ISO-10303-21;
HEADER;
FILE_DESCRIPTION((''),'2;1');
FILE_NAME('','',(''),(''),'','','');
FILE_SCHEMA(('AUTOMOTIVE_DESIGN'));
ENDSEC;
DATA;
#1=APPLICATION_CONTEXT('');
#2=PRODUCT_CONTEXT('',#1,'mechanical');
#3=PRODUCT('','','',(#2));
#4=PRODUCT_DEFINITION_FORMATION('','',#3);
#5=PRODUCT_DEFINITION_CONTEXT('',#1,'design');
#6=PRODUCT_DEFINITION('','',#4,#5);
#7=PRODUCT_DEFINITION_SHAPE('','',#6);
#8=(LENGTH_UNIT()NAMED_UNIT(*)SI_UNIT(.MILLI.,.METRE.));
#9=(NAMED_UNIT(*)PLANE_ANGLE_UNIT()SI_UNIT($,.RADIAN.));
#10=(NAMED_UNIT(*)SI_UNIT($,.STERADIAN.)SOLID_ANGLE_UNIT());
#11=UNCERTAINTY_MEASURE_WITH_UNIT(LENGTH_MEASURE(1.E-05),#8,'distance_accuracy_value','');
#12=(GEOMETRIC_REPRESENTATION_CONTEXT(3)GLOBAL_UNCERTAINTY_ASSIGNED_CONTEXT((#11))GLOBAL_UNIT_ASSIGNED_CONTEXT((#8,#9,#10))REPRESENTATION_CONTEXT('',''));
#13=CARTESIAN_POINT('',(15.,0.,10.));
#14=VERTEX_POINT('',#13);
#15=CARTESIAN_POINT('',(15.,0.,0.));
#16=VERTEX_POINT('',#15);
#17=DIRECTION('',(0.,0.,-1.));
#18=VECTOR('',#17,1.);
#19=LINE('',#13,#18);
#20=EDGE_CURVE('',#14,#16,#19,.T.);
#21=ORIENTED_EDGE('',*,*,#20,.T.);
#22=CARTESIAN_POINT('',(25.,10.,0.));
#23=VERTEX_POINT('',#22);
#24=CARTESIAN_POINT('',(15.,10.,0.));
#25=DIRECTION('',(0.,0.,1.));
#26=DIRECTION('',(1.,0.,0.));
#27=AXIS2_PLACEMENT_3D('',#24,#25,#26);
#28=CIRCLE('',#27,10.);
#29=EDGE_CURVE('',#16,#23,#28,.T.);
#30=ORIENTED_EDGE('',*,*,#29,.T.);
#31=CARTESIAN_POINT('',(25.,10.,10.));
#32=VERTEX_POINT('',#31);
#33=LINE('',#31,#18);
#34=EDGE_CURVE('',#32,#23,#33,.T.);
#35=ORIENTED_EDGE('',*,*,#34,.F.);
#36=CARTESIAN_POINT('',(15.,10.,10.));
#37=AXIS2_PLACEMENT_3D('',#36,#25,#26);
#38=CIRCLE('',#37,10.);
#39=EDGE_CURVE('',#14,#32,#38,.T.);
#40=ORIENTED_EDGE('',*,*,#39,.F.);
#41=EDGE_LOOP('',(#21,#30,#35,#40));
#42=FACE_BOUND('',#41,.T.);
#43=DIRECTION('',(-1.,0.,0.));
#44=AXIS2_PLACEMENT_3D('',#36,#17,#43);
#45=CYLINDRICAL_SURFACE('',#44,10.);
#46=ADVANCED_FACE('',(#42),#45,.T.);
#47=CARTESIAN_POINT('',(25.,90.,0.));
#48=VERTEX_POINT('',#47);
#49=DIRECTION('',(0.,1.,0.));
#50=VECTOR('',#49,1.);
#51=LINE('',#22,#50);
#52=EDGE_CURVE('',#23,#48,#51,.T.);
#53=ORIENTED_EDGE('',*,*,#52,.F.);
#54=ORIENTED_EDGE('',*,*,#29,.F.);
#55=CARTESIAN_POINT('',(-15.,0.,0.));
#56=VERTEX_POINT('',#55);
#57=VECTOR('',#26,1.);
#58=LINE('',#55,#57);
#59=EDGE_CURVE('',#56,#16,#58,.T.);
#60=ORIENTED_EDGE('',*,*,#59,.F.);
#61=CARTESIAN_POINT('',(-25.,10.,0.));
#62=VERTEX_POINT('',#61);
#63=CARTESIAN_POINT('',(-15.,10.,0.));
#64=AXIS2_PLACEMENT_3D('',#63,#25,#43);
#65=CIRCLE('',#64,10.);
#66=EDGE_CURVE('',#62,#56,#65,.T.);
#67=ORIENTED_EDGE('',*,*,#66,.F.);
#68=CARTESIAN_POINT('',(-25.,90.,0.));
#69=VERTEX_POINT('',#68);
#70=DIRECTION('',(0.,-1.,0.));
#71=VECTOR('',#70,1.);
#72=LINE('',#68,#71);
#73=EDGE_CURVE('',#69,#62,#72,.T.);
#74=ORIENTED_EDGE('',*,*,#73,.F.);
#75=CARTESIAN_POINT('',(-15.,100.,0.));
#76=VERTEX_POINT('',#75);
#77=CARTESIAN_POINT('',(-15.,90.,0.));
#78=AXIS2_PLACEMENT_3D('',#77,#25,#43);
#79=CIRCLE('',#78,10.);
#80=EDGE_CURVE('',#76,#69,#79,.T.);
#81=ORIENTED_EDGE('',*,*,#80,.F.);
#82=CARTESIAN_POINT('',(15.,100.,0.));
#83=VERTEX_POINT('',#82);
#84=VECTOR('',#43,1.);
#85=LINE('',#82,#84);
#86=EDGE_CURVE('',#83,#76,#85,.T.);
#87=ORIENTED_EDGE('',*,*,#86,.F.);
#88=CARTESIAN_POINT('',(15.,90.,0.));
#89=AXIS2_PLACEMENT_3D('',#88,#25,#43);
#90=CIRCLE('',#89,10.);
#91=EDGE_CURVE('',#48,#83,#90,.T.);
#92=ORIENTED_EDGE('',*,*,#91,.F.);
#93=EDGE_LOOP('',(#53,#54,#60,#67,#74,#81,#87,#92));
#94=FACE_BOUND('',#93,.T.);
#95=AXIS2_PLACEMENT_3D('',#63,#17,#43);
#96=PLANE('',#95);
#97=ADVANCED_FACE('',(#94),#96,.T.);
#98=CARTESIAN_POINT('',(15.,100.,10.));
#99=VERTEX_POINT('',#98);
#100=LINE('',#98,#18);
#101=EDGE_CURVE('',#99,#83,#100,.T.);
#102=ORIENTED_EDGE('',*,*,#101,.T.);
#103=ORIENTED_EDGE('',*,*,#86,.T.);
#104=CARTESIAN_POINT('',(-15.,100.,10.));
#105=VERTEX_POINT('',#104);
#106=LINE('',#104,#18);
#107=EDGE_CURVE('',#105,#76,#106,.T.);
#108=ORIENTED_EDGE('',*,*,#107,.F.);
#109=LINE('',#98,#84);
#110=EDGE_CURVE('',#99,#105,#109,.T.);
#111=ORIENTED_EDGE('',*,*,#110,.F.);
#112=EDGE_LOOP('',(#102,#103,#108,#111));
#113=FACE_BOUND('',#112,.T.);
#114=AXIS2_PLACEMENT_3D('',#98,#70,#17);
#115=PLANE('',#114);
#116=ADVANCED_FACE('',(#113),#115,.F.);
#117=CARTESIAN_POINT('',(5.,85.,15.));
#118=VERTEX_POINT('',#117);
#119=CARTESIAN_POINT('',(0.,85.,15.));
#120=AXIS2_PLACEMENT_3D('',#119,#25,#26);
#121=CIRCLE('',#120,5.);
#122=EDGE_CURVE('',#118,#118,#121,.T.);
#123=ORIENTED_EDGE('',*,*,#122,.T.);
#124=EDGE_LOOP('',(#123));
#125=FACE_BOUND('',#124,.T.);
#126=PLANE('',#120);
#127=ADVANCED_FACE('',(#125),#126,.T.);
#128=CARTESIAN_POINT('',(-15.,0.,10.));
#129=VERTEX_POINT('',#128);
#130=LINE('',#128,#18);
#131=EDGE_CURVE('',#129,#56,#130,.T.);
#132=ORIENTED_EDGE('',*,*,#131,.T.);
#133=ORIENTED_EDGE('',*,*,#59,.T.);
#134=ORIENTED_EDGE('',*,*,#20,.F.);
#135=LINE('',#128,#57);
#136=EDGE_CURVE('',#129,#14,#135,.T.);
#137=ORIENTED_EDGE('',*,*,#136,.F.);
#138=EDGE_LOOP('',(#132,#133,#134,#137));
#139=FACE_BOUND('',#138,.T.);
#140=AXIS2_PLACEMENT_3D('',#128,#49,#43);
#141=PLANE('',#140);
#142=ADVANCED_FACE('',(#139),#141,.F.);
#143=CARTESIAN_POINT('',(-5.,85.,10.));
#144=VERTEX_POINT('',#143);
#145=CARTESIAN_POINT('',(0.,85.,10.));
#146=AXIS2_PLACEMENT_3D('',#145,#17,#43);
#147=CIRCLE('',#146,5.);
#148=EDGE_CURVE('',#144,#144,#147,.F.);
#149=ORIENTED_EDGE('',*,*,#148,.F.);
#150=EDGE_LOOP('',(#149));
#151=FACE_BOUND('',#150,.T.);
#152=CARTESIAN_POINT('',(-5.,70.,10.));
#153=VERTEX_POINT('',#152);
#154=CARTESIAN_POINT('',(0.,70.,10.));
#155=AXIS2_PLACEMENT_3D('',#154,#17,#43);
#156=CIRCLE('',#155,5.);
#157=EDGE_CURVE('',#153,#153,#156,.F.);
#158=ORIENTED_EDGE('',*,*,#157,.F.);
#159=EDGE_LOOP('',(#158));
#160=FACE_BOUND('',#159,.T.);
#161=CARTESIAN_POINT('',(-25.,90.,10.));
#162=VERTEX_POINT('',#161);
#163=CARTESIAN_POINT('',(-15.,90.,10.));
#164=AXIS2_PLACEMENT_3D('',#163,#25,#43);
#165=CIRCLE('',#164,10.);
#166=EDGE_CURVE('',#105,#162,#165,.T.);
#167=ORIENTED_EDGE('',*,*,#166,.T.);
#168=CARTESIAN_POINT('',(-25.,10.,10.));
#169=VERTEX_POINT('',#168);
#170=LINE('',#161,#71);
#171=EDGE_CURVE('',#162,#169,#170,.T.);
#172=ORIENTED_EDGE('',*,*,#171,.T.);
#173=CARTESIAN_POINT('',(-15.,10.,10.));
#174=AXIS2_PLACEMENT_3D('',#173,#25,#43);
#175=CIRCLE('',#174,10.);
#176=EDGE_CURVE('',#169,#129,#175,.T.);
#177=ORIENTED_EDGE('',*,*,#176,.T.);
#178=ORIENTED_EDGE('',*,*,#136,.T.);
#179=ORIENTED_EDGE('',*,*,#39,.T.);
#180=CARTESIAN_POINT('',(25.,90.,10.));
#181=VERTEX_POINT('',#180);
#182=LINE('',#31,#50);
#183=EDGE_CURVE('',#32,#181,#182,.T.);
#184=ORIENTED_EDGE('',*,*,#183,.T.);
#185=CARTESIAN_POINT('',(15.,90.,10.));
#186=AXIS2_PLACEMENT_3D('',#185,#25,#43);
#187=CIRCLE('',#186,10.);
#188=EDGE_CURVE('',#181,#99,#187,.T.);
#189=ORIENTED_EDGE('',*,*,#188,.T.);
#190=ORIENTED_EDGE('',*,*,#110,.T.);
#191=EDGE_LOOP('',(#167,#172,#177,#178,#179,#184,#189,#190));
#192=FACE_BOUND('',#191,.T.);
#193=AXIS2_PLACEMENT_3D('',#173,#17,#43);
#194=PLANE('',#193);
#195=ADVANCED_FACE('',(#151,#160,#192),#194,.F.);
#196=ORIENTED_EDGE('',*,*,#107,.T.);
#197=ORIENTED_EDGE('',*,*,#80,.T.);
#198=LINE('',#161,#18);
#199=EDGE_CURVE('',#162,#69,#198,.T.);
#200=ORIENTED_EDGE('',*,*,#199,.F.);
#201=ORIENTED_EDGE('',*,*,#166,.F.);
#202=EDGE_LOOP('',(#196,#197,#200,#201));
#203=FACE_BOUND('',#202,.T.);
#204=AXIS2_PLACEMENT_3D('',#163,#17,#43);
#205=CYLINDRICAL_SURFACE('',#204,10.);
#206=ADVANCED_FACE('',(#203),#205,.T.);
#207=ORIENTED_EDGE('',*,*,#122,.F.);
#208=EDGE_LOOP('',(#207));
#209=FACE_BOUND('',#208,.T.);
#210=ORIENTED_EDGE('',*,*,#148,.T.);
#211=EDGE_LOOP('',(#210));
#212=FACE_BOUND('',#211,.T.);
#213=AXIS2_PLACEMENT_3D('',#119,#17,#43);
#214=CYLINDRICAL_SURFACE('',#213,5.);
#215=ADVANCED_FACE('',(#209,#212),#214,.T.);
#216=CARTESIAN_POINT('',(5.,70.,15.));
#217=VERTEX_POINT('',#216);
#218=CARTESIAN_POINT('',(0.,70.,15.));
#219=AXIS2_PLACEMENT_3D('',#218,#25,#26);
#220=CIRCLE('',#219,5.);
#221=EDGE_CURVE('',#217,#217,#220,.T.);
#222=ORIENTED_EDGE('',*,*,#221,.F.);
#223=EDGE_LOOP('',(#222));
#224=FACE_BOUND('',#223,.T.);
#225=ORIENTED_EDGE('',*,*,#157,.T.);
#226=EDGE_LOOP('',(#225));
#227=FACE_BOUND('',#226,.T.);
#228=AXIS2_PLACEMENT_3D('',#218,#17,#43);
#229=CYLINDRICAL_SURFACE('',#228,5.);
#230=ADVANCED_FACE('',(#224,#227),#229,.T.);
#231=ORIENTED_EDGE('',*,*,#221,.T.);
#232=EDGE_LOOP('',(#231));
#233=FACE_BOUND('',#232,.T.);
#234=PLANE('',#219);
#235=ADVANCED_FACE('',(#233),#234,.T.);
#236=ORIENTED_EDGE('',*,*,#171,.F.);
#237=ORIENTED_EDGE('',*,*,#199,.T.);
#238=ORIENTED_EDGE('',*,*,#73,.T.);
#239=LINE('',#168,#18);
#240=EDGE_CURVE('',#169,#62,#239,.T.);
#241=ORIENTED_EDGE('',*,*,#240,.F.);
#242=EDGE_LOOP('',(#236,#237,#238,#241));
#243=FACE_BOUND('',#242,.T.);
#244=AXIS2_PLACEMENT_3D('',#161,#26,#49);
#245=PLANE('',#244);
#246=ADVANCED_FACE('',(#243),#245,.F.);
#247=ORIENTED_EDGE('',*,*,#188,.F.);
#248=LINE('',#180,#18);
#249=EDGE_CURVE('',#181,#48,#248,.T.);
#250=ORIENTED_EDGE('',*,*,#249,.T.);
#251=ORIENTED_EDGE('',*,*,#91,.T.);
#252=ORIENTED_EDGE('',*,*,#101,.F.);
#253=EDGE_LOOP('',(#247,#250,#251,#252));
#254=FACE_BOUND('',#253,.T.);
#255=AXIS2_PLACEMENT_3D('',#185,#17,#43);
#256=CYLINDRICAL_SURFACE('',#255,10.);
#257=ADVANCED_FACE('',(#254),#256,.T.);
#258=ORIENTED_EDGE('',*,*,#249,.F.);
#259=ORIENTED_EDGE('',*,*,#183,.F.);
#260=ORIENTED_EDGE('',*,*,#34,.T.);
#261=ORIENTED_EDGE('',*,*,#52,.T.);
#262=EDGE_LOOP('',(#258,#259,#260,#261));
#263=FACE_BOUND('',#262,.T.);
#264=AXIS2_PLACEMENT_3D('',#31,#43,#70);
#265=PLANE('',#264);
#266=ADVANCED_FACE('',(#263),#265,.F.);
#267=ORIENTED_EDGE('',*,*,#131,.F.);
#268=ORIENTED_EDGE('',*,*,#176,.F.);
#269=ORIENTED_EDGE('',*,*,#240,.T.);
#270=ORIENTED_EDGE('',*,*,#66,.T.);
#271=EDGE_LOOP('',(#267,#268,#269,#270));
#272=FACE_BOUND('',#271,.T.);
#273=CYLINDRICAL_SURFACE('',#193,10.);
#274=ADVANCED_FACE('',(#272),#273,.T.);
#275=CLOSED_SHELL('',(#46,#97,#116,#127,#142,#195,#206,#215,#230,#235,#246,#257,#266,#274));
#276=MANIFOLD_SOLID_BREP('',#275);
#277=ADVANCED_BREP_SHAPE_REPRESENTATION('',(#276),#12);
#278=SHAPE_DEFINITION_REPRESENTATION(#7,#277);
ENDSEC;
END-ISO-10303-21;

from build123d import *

# Parameters (mm, degrees)
BOSS_EXTRU_1_DEPTH = 10
ESQUISSE2_R        = 5
BOSS_EXTRU_2_DEPTH = 5


with BuildPart() as part:
    # Esquisse1 → Boss.-Extru.1 (new body)
    with BuildSketch(Plane.XY):
        with BuildLine():
            Line((-15, 0), (15, 0))
            ThreePointArc((15, 0), (22.071067812, 2.928932188), (25, 10))
            Line((25, 10), (25, 90))
            ThreePointArc((25, 90), (22.071067812, 97.071067812), (15, 100))
            Line((15, 100), (-15, 100))
            ThreePointArc((-15, 100), (-22.071067812, 97.071067812), (-25, 90))
            Line((-25, 90), (-25, 10))
            ThreePointArc((-25, 10), (-22.071067812, 2.928932188), (-15, 0))
        make_face()
    extrude(amount=BOSS_EXTRU_1_DEPTH)

    # Esquisse2 → Boss.-Extru.2 (add)
    with BuildSketch(Plane.XY.offset(10)):
        with Locations(Location((0, 85, 0), (0, 0, 180))):
            Circle(ESQUISSE2_R)
        with Locations(Location((0, 70, 0), (0, 0, 180))):
            Circle(ESQUISSE2_R)
    extrude(amount=BOSS_EXTRU_2_DEPTH)


solid = part.part
